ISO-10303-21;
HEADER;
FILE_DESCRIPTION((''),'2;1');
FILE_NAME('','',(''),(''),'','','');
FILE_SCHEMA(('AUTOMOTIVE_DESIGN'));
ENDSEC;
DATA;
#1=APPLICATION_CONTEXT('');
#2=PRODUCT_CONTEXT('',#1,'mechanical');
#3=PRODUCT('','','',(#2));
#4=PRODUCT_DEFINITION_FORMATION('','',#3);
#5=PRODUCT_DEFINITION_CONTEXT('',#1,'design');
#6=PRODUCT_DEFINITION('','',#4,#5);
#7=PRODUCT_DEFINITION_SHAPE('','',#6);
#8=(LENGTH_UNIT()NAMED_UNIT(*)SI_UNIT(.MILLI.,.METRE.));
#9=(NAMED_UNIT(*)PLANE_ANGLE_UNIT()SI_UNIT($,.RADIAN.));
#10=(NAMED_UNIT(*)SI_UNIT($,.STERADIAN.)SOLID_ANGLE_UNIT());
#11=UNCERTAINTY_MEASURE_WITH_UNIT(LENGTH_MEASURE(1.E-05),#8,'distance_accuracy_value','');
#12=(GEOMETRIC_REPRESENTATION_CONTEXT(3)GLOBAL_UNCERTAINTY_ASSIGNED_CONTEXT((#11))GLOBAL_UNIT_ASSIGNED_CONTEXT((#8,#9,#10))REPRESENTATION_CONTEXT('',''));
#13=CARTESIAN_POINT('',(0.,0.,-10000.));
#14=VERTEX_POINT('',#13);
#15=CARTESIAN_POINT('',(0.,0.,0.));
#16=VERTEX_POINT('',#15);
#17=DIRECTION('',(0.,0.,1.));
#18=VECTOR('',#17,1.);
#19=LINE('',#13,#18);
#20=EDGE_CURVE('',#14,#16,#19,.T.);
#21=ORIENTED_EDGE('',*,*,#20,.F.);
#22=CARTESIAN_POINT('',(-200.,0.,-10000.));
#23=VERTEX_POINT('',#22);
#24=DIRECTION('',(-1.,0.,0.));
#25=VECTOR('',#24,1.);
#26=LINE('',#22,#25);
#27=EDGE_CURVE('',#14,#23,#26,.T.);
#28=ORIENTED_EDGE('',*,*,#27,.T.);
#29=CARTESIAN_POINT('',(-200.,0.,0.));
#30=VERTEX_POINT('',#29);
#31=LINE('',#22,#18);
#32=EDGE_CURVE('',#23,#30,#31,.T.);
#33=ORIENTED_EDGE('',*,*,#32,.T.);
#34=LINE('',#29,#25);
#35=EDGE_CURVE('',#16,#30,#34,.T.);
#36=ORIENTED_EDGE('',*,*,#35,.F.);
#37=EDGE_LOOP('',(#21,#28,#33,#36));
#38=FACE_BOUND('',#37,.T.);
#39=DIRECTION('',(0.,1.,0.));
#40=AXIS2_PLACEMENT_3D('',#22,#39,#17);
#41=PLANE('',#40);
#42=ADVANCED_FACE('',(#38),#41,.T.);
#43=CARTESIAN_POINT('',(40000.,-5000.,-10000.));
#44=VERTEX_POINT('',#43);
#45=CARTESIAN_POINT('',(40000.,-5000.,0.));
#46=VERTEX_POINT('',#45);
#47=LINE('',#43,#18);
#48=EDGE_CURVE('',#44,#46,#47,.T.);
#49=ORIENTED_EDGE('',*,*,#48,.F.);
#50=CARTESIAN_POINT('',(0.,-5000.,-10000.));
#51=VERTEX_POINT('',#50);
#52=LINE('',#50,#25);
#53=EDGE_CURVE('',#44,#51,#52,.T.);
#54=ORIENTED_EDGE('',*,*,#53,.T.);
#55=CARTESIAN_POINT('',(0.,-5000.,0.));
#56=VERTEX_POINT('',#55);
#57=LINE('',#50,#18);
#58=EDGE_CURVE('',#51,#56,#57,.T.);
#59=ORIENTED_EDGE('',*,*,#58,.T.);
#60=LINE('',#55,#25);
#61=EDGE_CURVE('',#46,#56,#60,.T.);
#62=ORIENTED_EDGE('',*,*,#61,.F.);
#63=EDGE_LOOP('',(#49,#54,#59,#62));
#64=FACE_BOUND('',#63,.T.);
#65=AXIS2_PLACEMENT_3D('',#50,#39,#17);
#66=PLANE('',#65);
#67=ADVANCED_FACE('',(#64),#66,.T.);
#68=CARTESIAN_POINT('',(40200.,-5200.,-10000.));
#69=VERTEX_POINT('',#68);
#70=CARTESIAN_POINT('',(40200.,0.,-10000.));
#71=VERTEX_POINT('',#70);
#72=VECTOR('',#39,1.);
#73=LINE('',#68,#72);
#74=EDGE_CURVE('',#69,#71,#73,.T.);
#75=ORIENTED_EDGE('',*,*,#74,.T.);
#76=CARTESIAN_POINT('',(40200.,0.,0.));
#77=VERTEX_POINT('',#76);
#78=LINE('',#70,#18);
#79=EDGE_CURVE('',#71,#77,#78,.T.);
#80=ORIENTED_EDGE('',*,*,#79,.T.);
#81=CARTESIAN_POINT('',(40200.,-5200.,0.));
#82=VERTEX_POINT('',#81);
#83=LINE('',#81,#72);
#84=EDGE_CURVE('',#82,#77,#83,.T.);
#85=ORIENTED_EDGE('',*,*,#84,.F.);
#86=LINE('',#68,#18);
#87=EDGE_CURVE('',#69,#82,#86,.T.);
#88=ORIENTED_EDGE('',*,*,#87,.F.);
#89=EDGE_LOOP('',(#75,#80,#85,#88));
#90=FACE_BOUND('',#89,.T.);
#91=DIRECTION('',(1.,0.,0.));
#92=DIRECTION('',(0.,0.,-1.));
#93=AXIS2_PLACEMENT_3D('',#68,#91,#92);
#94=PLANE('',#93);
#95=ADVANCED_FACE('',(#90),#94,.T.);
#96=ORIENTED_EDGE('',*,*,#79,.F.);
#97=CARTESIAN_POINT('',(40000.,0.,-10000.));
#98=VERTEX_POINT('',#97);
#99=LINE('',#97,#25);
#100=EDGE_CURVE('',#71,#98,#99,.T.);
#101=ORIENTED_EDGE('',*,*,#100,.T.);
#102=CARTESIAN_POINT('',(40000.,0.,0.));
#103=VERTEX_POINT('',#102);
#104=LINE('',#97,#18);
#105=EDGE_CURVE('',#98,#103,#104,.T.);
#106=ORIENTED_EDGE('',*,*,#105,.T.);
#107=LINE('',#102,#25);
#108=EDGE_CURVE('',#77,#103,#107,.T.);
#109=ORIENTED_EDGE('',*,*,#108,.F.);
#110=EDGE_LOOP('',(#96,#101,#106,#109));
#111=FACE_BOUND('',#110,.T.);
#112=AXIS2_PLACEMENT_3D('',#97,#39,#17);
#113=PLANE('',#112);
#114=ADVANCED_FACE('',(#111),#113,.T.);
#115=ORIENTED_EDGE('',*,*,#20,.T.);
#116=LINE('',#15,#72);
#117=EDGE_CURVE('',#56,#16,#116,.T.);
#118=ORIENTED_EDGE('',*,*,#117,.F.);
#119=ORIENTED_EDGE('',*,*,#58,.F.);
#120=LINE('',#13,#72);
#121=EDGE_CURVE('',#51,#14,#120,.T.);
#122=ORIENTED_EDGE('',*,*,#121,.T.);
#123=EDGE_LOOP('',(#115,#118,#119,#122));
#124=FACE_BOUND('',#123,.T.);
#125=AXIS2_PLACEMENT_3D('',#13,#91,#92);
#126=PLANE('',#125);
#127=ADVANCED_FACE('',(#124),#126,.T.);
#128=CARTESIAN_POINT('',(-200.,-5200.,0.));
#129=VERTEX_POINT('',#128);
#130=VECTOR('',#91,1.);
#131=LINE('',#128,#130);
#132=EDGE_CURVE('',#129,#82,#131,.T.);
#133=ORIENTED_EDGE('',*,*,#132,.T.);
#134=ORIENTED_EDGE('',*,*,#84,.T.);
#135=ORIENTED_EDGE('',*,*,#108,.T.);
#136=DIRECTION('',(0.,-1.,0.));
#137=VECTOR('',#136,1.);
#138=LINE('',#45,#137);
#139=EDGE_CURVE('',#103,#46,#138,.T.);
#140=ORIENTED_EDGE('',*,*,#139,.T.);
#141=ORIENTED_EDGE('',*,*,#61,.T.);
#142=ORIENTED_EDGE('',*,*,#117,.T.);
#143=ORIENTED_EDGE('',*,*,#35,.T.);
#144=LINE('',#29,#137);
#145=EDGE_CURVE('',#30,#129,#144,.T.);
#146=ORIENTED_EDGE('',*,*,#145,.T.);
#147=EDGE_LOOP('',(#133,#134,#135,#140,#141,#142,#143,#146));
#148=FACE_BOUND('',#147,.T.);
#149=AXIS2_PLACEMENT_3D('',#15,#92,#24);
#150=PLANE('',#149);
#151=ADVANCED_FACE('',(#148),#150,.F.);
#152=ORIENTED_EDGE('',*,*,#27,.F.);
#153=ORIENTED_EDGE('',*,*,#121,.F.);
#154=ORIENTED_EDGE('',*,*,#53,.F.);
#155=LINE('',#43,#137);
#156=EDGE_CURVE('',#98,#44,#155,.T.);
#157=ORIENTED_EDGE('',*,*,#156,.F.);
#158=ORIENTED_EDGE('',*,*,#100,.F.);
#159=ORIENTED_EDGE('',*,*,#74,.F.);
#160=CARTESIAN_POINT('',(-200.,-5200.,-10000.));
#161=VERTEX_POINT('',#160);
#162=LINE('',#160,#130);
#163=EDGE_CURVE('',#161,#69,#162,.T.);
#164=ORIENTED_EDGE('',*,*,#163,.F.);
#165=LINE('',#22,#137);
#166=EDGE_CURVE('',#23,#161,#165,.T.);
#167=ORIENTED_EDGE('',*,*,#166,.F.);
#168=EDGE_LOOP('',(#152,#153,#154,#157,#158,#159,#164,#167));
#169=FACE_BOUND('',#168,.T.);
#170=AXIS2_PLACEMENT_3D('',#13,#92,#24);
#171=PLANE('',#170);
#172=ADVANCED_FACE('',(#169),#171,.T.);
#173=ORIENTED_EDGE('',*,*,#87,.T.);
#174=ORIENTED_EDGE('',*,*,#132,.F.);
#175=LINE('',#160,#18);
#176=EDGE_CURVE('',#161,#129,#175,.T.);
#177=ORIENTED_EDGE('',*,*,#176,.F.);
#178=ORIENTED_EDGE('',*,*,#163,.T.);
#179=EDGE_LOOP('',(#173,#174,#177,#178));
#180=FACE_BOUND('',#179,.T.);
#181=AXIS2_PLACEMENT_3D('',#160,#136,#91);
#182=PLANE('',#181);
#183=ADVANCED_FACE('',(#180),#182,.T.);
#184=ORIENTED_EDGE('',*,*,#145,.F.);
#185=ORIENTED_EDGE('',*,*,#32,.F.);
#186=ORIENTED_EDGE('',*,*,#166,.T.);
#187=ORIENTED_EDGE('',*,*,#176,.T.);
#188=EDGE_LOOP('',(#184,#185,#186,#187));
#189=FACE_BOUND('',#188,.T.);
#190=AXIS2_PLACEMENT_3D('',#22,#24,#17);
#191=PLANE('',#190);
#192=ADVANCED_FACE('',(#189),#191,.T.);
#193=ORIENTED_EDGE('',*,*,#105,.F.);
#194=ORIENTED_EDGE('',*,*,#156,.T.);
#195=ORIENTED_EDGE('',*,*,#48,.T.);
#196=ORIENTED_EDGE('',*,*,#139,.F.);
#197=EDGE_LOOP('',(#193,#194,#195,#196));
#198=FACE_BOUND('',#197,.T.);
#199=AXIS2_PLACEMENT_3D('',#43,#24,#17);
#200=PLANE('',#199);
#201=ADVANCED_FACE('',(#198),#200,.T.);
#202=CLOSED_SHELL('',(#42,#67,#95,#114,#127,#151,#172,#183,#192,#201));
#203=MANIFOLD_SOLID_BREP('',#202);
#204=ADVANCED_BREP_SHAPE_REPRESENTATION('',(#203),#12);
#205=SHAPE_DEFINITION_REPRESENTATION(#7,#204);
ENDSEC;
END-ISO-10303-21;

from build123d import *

# Parameters (mm, degrees)
BOSS_EXTRUDE1_DEPTH = 10000


with BuildPart() as part:
    # Sketch2 → Boss-Extrude1 (new body)
    with BuildSketch(Plane.XY):
        Polygon((0, 0), (0, -5000), (40000, -5000), (40000, 0), (40200, 0), (40200, -5200), (-200, -5200), (-200, 0), align=None)
    extrude(amount=-BOSS_EXTRUDE1_DEPTH)


solid = part.part
